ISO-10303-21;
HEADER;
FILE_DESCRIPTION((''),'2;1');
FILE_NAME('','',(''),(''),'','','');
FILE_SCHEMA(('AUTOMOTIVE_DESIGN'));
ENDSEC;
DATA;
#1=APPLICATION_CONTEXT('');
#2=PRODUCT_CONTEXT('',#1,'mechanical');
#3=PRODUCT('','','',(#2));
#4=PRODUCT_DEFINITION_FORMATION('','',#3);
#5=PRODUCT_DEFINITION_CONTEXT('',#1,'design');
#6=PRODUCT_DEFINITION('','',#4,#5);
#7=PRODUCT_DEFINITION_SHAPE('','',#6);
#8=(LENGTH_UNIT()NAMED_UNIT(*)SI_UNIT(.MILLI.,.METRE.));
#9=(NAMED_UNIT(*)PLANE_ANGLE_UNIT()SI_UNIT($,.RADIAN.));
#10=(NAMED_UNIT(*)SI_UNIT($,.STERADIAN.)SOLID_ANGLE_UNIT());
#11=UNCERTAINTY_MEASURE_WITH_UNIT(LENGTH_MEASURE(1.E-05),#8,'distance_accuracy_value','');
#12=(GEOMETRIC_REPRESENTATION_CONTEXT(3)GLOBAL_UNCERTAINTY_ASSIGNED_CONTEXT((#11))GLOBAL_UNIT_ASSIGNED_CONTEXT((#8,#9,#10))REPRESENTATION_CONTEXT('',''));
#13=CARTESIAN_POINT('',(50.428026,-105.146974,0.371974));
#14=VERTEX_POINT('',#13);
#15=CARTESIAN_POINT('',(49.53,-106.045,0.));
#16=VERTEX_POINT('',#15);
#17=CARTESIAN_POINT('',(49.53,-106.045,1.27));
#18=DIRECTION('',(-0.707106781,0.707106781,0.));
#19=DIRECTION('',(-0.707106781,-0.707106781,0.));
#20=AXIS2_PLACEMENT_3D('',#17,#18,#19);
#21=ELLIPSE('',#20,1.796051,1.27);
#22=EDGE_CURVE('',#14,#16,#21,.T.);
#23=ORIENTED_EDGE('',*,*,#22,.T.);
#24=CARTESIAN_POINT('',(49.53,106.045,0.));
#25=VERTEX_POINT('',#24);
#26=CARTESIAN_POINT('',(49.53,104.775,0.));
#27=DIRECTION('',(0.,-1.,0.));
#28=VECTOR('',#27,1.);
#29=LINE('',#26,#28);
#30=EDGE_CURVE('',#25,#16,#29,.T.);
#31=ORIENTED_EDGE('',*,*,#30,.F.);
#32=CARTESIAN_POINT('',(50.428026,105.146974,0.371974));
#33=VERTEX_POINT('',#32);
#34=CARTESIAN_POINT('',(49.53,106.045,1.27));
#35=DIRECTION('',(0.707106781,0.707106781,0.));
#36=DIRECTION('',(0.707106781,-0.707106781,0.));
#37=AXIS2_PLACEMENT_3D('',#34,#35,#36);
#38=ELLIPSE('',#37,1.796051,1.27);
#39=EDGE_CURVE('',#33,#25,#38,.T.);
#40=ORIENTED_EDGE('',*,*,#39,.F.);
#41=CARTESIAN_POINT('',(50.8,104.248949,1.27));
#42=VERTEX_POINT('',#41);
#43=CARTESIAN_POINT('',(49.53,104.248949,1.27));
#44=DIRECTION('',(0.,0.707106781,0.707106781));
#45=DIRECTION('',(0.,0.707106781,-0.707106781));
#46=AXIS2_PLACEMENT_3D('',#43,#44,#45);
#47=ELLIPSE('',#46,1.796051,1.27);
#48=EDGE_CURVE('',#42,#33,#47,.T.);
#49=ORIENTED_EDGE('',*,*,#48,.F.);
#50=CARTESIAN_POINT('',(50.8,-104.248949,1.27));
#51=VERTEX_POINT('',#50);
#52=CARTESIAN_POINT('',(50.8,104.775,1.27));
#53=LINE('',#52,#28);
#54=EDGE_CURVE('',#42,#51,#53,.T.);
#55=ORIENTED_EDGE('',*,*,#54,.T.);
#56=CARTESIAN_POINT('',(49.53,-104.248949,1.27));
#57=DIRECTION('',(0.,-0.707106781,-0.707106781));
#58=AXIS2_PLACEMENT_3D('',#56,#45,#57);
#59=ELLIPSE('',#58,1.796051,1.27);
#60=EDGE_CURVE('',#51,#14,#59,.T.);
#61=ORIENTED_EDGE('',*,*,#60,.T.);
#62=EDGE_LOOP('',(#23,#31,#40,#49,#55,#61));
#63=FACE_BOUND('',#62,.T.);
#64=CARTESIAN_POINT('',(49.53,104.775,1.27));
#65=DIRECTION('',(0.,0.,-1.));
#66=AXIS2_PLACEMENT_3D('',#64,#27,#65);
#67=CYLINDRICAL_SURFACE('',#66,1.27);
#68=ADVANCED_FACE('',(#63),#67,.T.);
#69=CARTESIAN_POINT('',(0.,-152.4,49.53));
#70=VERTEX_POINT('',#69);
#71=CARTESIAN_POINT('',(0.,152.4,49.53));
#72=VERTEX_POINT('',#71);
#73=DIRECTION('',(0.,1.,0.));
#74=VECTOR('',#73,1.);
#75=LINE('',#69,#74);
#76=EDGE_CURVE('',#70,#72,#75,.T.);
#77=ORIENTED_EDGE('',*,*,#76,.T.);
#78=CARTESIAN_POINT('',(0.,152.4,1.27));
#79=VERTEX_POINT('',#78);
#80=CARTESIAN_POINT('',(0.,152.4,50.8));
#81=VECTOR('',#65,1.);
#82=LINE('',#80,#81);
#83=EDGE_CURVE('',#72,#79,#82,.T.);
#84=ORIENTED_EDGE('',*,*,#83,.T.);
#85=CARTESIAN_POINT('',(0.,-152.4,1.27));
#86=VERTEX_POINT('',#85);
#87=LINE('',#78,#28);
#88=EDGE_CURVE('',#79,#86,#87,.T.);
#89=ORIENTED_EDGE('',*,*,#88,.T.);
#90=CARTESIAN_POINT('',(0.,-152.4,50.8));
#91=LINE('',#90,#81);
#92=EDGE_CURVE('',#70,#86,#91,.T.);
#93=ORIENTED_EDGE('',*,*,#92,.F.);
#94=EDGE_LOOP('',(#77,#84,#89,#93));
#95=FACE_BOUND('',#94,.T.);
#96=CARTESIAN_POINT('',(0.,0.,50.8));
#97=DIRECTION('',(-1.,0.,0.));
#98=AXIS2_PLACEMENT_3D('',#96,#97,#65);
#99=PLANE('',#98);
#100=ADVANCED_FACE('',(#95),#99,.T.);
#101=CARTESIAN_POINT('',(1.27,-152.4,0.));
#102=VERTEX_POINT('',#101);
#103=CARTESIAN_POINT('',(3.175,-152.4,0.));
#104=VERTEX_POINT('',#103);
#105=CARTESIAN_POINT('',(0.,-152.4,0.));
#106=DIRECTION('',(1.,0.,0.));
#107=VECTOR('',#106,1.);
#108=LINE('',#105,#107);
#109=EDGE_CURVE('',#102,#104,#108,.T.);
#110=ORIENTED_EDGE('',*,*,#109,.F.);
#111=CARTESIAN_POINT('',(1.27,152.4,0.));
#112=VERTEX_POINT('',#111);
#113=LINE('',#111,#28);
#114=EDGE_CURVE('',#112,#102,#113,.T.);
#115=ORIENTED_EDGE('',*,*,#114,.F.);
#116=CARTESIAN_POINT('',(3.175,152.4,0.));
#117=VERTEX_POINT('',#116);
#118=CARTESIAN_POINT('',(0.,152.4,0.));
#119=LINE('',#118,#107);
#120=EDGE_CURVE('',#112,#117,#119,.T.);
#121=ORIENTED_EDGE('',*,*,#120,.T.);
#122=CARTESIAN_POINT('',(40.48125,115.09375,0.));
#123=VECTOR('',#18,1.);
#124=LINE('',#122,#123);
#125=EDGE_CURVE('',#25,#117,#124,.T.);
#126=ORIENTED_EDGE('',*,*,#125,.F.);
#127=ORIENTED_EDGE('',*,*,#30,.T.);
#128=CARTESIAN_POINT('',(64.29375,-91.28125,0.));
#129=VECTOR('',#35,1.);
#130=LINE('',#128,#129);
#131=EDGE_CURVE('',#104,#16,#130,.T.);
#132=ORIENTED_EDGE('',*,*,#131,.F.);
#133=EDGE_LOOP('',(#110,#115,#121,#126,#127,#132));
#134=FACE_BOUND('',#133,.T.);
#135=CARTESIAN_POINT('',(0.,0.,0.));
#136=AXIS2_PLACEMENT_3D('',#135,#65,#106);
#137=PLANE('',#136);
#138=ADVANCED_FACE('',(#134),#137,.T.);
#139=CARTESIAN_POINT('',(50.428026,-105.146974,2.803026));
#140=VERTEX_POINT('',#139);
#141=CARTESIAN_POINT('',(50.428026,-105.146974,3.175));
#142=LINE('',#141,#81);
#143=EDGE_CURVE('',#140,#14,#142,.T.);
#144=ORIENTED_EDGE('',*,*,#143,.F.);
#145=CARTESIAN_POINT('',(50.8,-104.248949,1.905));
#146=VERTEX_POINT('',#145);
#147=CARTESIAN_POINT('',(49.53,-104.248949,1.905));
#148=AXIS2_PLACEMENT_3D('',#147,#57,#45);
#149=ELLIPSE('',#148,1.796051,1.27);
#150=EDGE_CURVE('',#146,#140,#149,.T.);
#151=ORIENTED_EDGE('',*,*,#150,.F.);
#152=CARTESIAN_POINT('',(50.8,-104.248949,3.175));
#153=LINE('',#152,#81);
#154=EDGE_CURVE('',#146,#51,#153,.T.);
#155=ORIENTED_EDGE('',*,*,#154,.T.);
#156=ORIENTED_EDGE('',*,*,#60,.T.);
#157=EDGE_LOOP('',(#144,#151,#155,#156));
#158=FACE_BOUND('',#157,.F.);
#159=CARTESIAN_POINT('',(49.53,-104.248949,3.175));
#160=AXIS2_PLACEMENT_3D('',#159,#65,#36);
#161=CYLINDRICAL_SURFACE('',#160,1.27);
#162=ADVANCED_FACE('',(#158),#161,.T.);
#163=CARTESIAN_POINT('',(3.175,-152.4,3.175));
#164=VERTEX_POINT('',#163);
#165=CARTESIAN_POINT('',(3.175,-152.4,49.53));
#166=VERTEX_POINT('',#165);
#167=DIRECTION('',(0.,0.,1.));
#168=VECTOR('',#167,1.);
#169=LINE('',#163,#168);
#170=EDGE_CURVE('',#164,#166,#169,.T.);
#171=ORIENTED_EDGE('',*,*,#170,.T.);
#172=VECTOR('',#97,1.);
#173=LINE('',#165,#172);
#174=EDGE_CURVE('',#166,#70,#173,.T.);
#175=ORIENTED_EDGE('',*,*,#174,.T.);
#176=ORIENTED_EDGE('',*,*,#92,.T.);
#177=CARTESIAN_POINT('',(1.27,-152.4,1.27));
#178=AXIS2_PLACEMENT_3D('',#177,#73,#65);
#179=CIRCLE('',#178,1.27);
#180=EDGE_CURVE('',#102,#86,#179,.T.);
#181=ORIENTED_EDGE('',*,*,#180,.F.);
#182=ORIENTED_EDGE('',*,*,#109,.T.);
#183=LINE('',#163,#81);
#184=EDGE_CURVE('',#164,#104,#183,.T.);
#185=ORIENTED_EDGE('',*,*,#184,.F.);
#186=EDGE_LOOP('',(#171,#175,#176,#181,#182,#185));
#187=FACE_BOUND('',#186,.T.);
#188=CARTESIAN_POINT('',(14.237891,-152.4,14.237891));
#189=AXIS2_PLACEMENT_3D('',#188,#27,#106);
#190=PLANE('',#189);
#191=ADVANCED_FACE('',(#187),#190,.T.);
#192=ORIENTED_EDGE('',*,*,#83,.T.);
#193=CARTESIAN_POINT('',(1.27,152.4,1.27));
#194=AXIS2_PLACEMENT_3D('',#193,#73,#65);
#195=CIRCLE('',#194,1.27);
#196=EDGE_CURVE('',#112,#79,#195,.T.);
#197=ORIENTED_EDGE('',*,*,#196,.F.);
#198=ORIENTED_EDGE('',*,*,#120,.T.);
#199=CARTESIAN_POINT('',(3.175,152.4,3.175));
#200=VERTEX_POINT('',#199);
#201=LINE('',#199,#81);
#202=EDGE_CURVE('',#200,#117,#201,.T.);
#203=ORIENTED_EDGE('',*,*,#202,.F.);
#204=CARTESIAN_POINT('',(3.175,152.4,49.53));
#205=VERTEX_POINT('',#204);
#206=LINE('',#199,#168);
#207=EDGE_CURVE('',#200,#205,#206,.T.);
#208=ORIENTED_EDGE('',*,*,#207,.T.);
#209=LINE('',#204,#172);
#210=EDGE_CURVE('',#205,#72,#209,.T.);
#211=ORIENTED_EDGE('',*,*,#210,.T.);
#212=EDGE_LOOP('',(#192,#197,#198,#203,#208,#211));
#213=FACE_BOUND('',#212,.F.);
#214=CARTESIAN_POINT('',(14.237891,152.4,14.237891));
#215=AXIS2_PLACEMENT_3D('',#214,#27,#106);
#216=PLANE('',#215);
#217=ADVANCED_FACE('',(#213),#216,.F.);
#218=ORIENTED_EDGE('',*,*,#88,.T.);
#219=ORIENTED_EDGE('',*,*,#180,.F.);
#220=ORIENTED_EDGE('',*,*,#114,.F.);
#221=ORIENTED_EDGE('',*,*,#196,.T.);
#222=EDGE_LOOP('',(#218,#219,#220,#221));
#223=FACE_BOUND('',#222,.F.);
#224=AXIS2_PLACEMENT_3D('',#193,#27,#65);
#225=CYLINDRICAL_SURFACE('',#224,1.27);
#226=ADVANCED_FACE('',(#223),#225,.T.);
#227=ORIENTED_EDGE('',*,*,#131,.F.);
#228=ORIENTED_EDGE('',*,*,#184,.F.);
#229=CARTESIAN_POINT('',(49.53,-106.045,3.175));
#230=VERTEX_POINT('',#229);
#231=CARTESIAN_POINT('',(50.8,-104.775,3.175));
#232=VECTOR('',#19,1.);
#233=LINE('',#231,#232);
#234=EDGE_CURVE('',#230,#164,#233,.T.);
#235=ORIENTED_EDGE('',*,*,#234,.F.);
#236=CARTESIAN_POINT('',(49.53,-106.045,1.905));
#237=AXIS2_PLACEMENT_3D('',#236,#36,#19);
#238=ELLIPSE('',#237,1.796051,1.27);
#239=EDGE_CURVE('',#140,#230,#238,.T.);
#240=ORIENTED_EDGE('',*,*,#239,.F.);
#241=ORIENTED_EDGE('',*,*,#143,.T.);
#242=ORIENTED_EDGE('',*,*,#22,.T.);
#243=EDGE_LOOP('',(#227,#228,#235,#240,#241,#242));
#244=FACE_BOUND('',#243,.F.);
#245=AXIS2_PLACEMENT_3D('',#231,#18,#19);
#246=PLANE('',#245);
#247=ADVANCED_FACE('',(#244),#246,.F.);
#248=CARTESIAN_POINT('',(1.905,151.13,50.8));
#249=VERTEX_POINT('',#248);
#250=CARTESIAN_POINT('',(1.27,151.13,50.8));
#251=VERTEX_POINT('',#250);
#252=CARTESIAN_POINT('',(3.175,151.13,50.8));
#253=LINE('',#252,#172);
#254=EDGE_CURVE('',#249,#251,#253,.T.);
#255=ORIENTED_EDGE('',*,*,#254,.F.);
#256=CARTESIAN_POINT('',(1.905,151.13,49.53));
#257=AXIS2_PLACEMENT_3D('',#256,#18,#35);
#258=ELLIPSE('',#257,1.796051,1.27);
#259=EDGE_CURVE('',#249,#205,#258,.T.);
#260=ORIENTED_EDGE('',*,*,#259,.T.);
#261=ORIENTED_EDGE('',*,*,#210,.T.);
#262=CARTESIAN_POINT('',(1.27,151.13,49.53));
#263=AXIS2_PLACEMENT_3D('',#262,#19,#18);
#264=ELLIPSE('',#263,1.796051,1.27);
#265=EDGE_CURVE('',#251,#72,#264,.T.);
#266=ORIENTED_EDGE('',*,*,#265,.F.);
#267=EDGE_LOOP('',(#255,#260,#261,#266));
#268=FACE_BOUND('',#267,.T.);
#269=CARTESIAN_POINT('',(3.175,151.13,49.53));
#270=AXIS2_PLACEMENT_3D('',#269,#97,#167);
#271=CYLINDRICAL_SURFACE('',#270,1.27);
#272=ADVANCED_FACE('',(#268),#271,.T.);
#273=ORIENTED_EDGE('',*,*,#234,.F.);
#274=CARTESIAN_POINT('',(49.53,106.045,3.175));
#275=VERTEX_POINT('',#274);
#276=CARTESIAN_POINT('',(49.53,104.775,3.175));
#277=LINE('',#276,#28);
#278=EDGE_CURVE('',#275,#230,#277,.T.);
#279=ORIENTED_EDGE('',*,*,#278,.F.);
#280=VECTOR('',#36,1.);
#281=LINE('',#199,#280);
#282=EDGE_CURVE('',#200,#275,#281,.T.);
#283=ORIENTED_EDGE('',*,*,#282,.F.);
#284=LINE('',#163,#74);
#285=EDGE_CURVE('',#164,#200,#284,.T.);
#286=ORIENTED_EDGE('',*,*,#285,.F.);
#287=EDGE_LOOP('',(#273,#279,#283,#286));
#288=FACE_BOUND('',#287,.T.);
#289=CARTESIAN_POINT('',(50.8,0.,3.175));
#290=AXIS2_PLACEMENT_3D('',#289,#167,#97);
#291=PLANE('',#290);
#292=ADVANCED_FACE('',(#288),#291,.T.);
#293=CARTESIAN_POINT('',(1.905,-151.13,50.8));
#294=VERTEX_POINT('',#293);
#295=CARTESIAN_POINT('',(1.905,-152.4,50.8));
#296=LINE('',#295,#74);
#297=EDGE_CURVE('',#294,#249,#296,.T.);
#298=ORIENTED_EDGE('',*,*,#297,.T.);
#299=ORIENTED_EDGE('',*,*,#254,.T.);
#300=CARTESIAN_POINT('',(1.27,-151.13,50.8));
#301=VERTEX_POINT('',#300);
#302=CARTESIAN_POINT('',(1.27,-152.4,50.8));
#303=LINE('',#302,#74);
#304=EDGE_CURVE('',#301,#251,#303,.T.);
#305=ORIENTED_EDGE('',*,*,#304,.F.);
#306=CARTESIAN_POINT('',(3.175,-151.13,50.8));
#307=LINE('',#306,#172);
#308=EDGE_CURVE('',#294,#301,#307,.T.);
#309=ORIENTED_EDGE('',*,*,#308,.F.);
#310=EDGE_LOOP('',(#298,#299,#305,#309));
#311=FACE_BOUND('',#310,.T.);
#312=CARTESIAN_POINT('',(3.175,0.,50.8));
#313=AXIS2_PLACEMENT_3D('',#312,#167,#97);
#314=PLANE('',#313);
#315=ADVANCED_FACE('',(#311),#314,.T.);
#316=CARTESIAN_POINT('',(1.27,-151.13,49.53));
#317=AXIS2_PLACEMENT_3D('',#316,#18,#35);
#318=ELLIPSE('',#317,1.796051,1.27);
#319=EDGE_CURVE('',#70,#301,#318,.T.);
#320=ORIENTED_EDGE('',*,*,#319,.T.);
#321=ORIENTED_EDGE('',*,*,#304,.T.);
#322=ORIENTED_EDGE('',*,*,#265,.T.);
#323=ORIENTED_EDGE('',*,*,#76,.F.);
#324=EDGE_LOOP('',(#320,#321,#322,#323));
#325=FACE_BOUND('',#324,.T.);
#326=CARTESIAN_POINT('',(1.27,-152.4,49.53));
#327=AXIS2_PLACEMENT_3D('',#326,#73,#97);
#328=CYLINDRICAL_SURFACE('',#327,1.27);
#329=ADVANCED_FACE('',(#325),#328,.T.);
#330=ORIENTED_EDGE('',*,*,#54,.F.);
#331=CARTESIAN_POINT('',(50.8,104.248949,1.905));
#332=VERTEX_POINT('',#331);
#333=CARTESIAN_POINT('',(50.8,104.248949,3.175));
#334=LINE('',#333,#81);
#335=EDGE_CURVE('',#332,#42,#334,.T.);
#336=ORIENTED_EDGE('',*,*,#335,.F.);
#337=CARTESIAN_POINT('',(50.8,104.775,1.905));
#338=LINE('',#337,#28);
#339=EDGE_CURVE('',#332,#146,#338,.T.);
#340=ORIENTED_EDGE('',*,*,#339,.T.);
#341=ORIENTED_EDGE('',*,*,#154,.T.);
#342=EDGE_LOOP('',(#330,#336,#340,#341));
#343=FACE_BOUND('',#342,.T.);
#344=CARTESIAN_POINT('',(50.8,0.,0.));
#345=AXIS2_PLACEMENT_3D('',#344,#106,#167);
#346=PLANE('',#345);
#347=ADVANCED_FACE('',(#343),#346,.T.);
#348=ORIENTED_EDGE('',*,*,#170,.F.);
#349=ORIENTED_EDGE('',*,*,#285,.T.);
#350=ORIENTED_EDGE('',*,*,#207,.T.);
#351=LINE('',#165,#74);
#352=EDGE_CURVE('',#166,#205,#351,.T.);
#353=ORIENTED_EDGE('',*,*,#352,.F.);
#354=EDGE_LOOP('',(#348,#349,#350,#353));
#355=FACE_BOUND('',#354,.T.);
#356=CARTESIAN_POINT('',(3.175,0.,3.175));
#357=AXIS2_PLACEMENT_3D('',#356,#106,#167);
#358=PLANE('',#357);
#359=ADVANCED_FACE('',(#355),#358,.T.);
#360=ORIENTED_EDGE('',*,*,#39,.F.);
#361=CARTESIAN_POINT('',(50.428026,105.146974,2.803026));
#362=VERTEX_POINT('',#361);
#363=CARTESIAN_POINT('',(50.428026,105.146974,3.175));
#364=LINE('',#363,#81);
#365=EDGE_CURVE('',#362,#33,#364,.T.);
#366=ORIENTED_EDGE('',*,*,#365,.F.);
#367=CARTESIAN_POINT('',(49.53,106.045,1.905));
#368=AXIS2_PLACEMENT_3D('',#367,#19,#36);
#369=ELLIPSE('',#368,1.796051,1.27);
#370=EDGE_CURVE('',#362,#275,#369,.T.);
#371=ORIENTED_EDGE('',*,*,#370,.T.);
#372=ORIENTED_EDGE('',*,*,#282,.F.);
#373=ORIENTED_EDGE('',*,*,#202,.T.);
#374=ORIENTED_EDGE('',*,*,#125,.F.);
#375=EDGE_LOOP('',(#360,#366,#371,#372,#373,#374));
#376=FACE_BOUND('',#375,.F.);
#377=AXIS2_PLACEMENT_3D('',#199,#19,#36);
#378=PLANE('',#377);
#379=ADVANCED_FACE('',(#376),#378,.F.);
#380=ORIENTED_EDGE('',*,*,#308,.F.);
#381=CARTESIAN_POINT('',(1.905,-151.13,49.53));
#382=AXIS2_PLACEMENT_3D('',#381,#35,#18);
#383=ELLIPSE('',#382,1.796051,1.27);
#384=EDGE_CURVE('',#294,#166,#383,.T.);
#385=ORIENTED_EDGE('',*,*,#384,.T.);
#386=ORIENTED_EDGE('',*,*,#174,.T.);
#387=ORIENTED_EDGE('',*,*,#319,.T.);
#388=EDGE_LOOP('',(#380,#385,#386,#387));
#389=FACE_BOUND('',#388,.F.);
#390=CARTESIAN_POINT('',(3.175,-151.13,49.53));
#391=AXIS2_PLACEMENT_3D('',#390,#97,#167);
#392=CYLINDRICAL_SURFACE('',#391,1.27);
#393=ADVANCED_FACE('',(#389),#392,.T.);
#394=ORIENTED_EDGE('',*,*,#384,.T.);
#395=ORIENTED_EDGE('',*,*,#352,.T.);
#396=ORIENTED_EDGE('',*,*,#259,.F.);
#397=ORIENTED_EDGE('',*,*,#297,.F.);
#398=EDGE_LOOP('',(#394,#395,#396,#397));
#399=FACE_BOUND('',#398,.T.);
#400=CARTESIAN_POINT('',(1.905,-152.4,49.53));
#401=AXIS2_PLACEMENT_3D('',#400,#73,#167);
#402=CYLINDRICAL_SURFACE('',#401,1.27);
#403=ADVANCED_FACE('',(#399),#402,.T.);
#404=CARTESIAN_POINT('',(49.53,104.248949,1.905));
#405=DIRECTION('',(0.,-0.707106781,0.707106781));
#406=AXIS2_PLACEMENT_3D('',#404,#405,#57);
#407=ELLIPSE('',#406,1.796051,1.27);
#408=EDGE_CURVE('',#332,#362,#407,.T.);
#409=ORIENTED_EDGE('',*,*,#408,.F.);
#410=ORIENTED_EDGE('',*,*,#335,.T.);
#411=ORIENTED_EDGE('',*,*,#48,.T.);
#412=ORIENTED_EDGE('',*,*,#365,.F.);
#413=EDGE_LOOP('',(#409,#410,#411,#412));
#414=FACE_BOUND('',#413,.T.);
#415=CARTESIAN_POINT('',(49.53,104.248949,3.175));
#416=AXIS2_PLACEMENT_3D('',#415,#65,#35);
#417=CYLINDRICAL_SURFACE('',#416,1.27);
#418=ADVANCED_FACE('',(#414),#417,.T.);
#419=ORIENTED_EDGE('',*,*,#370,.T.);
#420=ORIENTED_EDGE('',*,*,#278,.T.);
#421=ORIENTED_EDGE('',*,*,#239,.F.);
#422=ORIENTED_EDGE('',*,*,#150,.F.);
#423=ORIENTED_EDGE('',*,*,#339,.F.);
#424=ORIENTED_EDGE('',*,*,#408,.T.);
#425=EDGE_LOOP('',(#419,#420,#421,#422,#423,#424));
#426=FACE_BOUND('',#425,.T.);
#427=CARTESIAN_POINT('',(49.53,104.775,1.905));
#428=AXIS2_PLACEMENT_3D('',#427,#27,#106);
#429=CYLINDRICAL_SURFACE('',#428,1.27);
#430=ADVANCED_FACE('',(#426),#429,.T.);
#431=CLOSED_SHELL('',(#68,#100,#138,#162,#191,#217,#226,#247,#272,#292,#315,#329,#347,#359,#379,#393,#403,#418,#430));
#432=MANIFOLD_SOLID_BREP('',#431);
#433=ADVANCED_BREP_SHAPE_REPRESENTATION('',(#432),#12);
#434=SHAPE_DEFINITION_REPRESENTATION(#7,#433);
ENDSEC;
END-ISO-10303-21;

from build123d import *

# Parameters (mm, degrees)
F1_DEPTH = 152.4
F3_R     = 1.27
F4_DEPTH = 3.81
F6_DEPTH = 3.81
F7_R     = 1.27
F8_R     = 1.27


with BuildPart() as f1:
    # F0 (on Front) → F1 (new body, symmetric)
    with BuildSketch(Plane.XZ):
        Polygon((0, 50.8), (0, 0), (50.8, 0), (50.8, 3.175), (3.175, 3.175), (3.175, 50.8), align=None)
    extrude(amount=F1_DEPTH, both=True)

    # F3
    f3_edges = [f1.edges().sort_by_distance(p)[0] for p in [
        (3.175, 0, 50.8),
        (1.5875, 152.4, 50.8),
        (0, 0, 50.8),
        (1.5875, -152.4, 50.8),
    ]]
    fillet(f3_edges, radius=F3_R)

    # F2 (on face) → F4 (cut)
    with BuildSketch(Plane.XY.offset(3.175)):
        Polygon((50.8, 152.4), (3.175, 152.4), (50.8, 104.775), align=None)
    extrude(amount=-F4_DEPTH, mode=Mode.SUBTRACT)

    # F5 (on face) → F6 (cut)
    with BuildSketch(Plane.XY.offset(3.175)):
        Polygon((50.8, -104.775), (3.175, -152.4), (50.8, -152.4), align=None)
    extrude(amount=-F6_DEPTH, mode=Mode.SUBTRACT)

    # F7
    f7_edges = [f1.edges().sort_by_distance(p)[0] for p in [
        (50.8, -104.775, 1.5875),
        (50.8, 0, 3.175),
        (50.8, 104.775, 1.5875),
        (50.8, 0, 0),
    ]]
    fillet(f7_edges, radius=F7_R)

    # F8
    f8_edges = [f1.edges().sort_by_distance(p)[0] for p in [
        (0, 0, 0),
    ]]
    fillet(f8_edges, radius=F8_R)


solid = f1.part
